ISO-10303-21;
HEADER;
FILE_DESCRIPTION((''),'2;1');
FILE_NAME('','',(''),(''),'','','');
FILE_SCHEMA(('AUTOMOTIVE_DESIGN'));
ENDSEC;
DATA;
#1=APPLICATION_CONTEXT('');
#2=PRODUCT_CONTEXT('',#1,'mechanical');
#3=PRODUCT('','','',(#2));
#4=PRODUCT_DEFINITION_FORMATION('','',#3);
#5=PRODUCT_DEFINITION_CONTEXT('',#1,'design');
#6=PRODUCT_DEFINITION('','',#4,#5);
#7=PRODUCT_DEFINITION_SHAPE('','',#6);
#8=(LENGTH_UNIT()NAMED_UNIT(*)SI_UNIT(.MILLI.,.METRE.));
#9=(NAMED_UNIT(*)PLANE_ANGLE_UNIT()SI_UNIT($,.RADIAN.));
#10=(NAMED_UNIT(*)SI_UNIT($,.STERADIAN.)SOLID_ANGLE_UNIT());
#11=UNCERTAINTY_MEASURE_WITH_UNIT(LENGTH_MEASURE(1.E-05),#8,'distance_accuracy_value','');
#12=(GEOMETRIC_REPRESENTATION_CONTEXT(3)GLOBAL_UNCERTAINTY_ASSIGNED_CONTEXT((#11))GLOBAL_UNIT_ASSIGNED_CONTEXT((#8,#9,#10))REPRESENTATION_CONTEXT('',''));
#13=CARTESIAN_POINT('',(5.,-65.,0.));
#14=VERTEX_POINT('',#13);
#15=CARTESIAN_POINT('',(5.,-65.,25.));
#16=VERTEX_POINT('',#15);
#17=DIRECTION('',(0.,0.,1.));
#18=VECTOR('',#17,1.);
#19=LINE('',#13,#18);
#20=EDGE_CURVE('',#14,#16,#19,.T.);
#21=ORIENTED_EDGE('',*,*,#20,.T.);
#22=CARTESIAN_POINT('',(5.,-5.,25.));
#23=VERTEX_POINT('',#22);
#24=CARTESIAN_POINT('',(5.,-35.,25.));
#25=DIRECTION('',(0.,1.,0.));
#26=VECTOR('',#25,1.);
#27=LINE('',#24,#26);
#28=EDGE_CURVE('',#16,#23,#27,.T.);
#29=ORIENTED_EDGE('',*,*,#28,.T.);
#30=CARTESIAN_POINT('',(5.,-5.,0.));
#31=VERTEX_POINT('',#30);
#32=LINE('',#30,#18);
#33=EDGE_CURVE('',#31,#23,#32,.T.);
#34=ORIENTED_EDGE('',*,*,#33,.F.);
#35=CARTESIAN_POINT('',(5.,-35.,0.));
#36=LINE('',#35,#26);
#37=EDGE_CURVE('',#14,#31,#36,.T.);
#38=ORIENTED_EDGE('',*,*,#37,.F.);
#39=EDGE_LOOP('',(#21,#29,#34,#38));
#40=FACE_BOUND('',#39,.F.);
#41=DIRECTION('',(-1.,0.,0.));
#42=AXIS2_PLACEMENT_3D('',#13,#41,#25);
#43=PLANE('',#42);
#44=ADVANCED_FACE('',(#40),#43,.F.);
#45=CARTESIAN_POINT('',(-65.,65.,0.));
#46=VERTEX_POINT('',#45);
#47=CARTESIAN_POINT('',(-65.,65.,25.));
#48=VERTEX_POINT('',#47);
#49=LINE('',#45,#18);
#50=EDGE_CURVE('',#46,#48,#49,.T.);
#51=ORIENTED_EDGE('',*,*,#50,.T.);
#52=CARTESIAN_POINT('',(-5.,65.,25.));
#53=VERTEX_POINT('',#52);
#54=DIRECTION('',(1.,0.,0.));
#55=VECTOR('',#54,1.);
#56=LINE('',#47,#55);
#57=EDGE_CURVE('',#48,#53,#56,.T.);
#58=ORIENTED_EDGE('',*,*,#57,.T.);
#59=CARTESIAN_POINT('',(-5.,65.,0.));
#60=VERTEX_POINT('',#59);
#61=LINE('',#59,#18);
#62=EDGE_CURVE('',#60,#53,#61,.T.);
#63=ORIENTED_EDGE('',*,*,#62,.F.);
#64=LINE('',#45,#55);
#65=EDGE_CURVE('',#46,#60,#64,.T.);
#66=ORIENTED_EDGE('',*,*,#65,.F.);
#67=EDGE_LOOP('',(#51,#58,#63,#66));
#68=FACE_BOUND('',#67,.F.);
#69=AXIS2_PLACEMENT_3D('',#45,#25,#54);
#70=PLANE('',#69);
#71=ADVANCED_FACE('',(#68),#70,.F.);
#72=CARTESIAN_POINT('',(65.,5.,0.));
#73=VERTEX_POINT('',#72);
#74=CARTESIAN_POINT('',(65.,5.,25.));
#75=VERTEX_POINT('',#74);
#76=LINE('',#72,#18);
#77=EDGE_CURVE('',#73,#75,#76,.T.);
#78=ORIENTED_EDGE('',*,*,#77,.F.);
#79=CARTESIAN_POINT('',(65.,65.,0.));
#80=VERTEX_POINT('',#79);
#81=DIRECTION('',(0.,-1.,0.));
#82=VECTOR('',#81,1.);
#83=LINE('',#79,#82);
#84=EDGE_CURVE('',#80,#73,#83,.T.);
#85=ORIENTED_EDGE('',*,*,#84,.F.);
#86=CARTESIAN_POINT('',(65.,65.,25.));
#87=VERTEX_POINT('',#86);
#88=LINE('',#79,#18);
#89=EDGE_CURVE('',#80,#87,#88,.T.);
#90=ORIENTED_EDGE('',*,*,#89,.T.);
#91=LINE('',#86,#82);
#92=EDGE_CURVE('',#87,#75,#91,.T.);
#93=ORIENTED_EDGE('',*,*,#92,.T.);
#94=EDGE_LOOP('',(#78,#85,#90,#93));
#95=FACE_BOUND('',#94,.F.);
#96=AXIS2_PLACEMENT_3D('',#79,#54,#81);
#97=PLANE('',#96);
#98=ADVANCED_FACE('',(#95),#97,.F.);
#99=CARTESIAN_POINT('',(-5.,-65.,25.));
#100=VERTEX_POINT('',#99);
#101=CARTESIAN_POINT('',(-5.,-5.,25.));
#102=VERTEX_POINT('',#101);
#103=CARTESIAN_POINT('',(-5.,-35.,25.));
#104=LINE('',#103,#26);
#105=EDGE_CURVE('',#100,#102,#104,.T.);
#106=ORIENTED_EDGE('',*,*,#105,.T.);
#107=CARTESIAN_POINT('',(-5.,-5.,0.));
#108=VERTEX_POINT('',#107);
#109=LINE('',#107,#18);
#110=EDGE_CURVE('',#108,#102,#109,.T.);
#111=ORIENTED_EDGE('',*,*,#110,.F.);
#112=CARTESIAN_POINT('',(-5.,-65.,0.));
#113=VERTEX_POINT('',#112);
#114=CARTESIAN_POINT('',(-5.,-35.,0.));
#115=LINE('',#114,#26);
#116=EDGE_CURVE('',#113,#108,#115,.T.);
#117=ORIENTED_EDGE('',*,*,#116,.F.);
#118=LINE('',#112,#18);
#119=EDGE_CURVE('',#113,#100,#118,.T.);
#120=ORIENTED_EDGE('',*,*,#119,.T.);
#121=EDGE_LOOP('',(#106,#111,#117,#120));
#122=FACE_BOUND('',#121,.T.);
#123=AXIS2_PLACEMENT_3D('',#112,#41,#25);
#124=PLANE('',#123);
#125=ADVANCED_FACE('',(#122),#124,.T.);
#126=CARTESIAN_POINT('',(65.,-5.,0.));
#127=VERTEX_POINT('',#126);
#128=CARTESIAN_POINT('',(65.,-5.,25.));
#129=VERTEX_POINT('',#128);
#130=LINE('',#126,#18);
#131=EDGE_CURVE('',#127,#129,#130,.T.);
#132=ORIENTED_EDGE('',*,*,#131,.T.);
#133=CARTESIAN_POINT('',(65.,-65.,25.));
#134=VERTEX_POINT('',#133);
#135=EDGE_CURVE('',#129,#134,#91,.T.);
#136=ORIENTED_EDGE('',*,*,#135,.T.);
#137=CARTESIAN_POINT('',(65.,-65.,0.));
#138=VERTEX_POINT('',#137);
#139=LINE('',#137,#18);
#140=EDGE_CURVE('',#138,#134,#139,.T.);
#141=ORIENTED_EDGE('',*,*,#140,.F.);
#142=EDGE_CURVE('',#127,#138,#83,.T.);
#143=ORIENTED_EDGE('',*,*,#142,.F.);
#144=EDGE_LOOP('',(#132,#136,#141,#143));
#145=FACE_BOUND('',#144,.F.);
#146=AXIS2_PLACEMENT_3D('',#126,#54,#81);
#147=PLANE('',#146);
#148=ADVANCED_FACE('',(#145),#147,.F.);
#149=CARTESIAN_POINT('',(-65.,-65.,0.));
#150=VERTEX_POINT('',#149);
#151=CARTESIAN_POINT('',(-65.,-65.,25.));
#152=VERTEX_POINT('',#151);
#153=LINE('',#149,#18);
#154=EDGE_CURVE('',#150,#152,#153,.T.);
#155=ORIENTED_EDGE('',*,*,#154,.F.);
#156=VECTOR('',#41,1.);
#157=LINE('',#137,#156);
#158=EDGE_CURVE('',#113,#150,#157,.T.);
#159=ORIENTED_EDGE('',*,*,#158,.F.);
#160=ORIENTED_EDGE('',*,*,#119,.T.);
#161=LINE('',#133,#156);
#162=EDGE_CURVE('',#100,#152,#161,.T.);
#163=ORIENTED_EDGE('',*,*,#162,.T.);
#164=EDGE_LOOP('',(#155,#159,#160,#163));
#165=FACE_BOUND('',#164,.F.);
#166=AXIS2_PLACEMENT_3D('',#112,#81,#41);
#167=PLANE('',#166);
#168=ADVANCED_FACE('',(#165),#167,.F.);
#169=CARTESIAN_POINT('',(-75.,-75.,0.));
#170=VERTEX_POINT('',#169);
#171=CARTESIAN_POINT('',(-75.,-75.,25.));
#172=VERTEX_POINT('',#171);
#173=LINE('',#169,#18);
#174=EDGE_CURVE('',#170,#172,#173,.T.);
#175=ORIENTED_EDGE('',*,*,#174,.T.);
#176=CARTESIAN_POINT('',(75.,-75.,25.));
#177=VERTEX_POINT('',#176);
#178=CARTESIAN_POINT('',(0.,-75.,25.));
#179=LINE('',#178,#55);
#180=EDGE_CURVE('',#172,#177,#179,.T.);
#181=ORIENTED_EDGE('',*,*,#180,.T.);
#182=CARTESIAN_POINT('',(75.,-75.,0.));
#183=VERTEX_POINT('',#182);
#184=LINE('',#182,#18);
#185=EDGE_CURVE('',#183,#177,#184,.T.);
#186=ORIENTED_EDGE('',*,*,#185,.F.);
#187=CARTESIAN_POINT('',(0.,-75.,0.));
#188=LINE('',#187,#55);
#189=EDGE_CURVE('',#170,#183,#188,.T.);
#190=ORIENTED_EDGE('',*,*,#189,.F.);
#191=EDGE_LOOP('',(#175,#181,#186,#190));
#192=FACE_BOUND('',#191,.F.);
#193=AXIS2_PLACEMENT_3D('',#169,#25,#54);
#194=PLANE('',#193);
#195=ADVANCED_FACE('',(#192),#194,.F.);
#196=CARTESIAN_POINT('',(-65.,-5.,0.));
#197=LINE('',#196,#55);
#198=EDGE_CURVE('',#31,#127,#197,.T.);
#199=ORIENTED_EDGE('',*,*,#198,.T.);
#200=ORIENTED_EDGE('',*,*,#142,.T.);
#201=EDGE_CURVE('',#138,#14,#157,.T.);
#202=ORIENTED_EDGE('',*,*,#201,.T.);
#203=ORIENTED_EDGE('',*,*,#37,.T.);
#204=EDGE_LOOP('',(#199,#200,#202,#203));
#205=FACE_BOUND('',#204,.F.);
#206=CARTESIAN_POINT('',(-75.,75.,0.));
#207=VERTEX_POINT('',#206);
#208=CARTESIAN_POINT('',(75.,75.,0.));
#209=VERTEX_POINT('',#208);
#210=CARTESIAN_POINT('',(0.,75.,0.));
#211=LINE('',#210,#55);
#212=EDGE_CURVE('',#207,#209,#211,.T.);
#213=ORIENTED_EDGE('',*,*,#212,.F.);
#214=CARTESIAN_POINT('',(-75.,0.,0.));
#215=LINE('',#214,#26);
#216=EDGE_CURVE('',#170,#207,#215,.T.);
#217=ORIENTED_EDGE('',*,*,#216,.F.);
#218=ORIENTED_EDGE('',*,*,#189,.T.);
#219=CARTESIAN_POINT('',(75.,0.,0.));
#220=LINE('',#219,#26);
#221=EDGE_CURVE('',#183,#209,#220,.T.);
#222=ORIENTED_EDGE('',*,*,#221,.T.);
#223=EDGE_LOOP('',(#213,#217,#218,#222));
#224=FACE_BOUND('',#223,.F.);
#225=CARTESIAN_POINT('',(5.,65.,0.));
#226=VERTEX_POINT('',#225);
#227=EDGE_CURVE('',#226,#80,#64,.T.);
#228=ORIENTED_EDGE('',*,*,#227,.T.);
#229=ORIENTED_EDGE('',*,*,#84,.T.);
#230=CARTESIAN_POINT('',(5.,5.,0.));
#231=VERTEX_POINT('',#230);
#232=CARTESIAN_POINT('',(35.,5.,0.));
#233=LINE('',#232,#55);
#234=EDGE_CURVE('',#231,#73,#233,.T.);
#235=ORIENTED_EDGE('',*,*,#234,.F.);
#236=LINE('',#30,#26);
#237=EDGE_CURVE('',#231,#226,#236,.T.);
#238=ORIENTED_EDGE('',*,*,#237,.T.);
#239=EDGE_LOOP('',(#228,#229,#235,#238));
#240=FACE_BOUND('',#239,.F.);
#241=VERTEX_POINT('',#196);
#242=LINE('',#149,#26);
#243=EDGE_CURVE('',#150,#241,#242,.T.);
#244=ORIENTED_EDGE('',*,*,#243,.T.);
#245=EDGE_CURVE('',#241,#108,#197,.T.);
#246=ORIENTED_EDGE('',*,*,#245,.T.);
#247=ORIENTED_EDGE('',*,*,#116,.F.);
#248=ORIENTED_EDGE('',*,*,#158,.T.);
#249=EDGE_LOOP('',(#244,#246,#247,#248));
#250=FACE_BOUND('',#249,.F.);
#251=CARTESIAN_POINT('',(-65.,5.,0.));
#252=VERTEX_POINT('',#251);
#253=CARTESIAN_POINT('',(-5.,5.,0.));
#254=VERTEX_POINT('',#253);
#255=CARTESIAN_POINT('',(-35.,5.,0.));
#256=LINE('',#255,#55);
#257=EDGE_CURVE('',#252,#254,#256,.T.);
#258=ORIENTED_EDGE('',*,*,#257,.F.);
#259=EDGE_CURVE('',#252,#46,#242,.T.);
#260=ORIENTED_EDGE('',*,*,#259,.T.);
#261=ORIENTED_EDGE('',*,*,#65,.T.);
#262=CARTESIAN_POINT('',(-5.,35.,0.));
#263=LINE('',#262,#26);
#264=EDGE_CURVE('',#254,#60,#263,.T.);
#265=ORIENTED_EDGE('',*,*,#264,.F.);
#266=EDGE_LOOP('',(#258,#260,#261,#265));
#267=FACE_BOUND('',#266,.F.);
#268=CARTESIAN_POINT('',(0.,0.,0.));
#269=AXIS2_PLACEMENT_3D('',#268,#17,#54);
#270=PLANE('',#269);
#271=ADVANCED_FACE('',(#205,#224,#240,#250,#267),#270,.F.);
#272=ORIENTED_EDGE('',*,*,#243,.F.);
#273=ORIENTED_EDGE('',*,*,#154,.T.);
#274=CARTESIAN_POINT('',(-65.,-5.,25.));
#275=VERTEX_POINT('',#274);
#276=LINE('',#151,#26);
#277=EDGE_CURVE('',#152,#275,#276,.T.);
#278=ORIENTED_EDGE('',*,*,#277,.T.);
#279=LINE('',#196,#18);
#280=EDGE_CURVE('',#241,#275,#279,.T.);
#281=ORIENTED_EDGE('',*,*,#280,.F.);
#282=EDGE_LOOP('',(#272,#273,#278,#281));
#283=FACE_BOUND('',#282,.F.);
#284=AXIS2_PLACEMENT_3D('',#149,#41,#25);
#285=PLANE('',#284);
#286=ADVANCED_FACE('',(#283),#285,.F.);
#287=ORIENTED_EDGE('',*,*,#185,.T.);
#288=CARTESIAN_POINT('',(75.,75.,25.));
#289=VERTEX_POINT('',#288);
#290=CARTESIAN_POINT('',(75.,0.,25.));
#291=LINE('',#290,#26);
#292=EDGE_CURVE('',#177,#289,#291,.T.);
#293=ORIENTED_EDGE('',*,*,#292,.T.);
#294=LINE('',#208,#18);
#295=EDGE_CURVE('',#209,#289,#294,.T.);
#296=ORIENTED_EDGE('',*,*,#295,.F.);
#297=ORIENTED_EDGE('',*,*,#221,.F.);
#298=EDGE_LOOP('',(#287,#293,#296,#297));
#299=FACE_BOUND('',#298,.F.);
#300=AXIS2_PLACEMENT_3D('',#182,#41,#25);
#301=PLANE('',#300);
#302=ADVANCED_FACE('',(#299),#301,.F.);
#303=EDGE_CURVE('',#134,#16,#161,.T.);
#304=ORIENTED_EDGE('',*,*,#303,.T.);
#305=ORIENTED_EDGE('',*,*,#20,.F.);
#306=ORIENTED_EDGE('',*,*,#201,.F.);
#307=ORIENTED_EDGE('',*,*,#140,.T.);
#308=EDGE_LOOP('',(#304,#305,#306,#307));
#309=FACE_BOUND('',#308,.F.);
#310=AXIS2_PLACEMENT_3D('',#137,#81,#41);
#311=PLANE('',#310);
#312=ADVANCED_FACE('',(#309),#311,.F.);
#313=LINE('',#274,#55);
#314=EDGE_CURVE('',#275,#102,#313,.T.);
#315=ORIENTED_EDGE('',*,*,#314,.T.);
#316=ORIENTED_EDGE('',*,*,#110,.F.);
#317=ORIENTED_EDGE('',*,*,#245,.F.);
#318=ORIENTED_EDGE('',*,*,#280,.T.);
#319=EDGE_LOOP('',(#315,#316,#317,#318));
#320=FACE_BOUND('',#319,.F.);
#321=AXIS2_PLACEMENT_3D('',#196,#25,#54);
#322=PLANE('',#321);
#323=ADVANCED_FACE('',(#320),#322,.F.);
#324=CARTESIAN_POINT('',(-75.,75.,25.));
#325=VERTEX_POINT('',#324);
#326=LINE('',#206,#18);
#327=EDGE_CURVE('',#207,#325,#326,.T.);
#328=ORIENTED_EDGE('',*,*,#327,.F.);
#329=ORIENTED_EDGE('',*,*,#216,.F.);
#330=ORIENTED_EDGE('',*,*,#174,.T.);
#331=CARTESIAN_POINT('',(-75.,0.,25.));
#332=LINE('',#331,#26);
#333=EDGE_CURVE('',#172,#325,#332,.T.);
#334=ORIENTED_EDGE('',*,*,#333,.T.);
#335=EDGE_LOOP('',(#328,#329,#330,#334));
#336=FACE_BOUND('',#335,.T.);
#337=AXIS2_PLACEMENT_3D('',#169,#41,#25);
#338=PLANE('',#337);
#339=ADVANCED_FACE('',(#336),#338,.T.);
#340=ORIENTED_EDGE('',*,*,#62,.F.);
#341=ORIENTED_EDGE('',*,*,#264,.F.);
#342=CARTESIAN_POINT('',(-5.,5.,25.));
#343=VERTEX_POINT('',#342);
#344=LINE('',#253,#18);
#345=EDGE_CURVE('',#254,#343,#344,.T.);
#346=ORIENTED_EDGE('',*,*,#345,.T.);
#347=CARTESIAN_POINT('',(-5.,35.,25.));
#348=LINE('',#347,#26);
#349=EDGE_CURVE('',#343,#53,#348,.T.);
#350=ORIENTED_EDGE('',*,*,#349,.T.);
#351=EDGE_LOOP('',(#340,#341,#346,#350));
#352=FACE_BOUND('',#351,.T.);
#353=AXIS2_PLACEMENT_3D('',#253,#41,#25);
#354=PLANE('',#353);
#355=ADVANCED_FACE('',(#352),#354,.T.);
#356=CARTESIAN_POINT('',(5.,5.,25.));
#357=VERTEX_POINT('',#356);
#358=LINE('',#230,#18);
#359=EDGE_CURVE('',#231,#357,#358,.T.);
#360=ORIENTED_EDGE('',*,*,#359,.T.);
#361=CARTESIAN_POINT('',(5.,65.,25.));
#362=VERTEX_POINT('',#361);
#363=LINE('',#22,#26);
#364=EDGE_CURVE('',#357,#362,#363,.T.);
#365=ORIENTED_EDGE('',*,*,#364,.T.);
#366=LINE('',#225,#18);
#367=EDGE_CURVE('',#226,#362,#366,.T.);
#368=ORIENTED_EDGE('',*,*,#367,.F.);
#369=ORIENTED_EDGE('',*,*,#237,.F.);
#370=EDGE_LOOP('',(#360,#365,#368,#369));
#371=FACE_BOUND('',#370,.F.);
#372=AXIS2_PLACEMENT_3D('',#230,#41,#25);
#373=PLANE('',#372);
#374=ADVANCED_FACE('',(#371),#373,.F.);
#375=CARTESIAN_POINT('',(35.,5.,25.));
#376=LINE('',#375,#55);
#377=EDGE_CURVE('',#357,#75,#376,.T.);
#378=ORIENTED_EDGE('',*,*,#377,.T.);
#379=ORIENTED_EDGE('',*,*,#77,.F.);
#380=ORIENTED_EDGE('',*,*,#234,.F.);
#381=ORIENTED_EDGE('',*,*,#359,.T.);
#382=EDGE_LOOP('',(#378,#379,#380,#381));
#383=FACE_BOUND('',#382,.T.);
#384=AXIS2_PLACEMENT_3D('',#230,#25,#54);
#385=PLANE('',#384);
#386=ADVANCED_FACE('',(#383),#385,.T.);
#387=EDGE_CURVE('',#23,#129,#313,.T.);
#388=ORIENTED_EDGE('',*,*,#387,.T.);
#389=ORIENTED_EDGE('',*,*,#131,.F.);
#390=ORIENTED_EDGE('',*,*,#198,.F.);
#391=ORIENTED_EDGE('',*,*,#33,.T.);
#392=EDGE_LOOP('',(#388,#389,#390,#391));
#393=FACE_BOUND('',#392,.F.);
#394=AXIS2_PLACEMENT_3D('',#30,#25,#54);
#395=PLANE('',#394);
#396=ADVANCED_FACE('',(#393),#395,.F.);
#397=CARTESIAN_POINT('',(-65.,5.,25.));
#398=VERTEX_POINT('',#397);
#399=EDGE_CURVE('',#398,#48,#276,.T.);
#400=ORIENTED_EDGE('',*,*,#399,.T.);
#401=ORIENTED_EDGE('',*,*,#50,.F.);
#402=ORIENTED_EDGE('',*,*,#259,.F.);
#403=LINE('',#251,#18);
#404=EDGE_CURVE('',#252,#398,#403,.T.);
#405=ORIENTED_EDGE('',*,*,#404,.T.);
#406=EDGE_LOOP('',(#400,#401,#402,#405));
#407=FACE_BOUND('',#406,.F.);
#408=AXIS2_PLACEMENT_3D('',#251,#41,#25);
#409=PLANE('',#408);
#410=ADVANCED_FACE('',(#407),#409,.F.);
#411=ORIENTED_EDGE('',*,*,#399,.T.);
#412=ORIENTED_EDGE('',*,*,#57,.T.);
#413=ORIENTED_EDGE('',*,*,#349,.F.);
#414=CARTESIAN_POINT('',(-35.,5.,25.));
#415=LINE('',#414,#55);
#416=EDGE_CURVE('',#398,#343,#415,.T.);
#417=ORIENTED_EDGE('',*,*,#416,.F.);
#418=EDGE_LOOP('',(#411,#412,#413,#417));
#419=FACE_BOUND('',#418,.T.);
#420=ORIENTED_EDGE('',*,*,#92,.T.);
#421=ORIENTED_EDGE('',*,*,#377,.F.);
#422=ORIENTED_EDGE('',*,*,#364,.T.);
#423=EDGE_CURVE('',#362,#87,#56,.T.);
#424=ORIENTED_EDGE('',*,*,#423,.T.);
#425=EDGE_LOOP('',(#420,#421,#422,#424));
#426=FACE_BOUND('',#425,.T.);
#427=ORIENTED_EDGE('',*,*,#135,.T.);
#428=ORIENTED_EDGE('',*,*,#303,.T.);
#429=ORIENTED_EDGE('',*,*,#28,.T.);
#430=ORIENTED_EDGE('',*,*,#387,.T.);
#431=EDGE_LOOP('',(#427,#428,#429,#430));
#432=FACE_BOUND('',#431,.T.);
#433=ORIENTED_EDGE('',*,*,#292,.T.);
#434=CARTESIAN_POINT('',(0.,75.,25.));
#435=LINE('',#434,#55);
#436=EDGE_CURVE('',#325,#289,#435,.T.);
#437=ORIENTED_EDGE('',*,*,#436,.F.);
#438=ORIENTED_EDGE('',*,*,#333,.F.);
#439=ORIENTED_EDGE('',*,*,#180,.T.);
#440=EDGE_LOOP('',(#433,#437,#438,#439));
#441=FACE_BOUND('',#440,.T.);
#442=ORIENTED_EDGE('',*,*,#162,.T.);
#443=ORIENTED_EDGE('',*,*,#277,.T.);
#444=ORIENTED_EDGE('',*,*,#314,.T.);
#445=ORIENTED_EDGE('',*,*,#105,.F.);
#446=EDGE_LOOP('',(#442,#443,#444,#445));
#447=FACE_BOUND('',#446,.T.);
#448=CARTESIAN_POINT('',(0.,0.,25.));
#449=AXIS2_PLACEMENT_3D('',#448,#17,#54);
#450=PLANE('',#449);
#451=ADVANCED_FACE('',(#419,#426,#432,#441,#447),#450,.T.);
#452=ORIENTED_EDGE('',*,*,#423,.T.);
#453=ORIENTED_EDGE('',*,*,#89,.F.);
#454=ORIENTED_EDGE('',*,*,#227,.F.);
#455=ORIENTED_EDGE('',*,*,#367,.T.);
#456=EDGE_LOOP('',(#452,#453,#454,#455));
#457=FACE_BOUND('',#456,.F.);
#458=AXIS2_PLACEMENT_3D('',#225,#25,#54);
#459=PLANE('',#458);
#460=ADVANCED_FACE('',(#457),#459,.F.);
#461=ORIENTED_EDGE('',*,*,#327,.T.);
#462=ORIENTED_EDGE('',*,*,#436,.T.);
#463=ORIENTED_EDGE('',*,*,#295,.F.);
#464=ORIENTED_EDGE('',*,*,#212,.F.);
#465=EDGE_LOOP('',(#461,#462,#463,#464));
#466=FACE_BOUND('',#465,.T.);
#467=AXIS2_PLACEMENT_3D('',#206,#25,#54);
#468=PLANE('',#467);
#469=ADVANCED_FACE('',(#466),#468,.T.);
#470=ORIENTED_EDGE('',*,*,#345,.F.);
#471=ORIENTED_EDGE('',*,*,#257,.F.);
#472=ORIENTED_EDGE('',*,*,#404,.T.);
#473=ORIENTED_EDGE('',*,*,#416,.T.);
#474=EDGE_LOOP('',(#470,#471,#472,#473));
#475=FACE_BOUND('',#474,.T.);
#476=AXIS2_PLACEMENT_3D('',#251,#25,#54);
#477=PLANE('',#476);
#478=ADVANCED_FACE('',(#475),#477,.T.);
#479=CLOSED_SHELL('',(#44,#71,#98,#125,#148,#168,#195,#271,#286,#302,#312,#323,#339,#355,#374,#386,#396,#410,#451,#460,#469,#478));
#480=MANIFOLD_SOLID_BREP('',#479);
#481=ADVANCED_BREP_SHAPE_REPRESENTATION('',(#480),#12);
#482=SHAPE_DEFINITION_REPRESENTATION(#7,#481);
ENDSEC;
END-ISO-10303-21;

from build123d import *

# Parameters (mm, degrees)
F0_W     = 150
F0_H     = 150
F0_W_2   = 10
F0_H_2   = 60
F0_W_3   = 60
F0_H_3   = 10
F1_DEPTH = 25


with BuildPart() as f1:
    # F0 (on Top) → F1 (new body)
    with BuildSketch(Plane.XY):
        Rectangle(F0_W, F0_H)
        Polygon((5, 65), (65, 65), (65, 5), (65, -5), (65, -65), (5, -65), (-5, -65), (-65, -65), (-65, -5), (-65, 5), (-65, 65), (-5, 65), align=None, mode=Mode.SUBTRACT)
        with Locations((0, 35)):
            Rectangle(F0_W_2, F0_H_2)
        with Locations((-35, 0)):
            Rectangle(F0_W_3, F0_H_3)
        Rectangle(F0_W_2, F0_H_3)
        with Locations((35, 0)):
            Rectangle(F0_W_3, F0_H_3)
        with Locations((0, -35)):
            Rectangle(F0_W_2, F0_H_2)
    extrude(amount=F1_DEPTH)


solid = f1.part
